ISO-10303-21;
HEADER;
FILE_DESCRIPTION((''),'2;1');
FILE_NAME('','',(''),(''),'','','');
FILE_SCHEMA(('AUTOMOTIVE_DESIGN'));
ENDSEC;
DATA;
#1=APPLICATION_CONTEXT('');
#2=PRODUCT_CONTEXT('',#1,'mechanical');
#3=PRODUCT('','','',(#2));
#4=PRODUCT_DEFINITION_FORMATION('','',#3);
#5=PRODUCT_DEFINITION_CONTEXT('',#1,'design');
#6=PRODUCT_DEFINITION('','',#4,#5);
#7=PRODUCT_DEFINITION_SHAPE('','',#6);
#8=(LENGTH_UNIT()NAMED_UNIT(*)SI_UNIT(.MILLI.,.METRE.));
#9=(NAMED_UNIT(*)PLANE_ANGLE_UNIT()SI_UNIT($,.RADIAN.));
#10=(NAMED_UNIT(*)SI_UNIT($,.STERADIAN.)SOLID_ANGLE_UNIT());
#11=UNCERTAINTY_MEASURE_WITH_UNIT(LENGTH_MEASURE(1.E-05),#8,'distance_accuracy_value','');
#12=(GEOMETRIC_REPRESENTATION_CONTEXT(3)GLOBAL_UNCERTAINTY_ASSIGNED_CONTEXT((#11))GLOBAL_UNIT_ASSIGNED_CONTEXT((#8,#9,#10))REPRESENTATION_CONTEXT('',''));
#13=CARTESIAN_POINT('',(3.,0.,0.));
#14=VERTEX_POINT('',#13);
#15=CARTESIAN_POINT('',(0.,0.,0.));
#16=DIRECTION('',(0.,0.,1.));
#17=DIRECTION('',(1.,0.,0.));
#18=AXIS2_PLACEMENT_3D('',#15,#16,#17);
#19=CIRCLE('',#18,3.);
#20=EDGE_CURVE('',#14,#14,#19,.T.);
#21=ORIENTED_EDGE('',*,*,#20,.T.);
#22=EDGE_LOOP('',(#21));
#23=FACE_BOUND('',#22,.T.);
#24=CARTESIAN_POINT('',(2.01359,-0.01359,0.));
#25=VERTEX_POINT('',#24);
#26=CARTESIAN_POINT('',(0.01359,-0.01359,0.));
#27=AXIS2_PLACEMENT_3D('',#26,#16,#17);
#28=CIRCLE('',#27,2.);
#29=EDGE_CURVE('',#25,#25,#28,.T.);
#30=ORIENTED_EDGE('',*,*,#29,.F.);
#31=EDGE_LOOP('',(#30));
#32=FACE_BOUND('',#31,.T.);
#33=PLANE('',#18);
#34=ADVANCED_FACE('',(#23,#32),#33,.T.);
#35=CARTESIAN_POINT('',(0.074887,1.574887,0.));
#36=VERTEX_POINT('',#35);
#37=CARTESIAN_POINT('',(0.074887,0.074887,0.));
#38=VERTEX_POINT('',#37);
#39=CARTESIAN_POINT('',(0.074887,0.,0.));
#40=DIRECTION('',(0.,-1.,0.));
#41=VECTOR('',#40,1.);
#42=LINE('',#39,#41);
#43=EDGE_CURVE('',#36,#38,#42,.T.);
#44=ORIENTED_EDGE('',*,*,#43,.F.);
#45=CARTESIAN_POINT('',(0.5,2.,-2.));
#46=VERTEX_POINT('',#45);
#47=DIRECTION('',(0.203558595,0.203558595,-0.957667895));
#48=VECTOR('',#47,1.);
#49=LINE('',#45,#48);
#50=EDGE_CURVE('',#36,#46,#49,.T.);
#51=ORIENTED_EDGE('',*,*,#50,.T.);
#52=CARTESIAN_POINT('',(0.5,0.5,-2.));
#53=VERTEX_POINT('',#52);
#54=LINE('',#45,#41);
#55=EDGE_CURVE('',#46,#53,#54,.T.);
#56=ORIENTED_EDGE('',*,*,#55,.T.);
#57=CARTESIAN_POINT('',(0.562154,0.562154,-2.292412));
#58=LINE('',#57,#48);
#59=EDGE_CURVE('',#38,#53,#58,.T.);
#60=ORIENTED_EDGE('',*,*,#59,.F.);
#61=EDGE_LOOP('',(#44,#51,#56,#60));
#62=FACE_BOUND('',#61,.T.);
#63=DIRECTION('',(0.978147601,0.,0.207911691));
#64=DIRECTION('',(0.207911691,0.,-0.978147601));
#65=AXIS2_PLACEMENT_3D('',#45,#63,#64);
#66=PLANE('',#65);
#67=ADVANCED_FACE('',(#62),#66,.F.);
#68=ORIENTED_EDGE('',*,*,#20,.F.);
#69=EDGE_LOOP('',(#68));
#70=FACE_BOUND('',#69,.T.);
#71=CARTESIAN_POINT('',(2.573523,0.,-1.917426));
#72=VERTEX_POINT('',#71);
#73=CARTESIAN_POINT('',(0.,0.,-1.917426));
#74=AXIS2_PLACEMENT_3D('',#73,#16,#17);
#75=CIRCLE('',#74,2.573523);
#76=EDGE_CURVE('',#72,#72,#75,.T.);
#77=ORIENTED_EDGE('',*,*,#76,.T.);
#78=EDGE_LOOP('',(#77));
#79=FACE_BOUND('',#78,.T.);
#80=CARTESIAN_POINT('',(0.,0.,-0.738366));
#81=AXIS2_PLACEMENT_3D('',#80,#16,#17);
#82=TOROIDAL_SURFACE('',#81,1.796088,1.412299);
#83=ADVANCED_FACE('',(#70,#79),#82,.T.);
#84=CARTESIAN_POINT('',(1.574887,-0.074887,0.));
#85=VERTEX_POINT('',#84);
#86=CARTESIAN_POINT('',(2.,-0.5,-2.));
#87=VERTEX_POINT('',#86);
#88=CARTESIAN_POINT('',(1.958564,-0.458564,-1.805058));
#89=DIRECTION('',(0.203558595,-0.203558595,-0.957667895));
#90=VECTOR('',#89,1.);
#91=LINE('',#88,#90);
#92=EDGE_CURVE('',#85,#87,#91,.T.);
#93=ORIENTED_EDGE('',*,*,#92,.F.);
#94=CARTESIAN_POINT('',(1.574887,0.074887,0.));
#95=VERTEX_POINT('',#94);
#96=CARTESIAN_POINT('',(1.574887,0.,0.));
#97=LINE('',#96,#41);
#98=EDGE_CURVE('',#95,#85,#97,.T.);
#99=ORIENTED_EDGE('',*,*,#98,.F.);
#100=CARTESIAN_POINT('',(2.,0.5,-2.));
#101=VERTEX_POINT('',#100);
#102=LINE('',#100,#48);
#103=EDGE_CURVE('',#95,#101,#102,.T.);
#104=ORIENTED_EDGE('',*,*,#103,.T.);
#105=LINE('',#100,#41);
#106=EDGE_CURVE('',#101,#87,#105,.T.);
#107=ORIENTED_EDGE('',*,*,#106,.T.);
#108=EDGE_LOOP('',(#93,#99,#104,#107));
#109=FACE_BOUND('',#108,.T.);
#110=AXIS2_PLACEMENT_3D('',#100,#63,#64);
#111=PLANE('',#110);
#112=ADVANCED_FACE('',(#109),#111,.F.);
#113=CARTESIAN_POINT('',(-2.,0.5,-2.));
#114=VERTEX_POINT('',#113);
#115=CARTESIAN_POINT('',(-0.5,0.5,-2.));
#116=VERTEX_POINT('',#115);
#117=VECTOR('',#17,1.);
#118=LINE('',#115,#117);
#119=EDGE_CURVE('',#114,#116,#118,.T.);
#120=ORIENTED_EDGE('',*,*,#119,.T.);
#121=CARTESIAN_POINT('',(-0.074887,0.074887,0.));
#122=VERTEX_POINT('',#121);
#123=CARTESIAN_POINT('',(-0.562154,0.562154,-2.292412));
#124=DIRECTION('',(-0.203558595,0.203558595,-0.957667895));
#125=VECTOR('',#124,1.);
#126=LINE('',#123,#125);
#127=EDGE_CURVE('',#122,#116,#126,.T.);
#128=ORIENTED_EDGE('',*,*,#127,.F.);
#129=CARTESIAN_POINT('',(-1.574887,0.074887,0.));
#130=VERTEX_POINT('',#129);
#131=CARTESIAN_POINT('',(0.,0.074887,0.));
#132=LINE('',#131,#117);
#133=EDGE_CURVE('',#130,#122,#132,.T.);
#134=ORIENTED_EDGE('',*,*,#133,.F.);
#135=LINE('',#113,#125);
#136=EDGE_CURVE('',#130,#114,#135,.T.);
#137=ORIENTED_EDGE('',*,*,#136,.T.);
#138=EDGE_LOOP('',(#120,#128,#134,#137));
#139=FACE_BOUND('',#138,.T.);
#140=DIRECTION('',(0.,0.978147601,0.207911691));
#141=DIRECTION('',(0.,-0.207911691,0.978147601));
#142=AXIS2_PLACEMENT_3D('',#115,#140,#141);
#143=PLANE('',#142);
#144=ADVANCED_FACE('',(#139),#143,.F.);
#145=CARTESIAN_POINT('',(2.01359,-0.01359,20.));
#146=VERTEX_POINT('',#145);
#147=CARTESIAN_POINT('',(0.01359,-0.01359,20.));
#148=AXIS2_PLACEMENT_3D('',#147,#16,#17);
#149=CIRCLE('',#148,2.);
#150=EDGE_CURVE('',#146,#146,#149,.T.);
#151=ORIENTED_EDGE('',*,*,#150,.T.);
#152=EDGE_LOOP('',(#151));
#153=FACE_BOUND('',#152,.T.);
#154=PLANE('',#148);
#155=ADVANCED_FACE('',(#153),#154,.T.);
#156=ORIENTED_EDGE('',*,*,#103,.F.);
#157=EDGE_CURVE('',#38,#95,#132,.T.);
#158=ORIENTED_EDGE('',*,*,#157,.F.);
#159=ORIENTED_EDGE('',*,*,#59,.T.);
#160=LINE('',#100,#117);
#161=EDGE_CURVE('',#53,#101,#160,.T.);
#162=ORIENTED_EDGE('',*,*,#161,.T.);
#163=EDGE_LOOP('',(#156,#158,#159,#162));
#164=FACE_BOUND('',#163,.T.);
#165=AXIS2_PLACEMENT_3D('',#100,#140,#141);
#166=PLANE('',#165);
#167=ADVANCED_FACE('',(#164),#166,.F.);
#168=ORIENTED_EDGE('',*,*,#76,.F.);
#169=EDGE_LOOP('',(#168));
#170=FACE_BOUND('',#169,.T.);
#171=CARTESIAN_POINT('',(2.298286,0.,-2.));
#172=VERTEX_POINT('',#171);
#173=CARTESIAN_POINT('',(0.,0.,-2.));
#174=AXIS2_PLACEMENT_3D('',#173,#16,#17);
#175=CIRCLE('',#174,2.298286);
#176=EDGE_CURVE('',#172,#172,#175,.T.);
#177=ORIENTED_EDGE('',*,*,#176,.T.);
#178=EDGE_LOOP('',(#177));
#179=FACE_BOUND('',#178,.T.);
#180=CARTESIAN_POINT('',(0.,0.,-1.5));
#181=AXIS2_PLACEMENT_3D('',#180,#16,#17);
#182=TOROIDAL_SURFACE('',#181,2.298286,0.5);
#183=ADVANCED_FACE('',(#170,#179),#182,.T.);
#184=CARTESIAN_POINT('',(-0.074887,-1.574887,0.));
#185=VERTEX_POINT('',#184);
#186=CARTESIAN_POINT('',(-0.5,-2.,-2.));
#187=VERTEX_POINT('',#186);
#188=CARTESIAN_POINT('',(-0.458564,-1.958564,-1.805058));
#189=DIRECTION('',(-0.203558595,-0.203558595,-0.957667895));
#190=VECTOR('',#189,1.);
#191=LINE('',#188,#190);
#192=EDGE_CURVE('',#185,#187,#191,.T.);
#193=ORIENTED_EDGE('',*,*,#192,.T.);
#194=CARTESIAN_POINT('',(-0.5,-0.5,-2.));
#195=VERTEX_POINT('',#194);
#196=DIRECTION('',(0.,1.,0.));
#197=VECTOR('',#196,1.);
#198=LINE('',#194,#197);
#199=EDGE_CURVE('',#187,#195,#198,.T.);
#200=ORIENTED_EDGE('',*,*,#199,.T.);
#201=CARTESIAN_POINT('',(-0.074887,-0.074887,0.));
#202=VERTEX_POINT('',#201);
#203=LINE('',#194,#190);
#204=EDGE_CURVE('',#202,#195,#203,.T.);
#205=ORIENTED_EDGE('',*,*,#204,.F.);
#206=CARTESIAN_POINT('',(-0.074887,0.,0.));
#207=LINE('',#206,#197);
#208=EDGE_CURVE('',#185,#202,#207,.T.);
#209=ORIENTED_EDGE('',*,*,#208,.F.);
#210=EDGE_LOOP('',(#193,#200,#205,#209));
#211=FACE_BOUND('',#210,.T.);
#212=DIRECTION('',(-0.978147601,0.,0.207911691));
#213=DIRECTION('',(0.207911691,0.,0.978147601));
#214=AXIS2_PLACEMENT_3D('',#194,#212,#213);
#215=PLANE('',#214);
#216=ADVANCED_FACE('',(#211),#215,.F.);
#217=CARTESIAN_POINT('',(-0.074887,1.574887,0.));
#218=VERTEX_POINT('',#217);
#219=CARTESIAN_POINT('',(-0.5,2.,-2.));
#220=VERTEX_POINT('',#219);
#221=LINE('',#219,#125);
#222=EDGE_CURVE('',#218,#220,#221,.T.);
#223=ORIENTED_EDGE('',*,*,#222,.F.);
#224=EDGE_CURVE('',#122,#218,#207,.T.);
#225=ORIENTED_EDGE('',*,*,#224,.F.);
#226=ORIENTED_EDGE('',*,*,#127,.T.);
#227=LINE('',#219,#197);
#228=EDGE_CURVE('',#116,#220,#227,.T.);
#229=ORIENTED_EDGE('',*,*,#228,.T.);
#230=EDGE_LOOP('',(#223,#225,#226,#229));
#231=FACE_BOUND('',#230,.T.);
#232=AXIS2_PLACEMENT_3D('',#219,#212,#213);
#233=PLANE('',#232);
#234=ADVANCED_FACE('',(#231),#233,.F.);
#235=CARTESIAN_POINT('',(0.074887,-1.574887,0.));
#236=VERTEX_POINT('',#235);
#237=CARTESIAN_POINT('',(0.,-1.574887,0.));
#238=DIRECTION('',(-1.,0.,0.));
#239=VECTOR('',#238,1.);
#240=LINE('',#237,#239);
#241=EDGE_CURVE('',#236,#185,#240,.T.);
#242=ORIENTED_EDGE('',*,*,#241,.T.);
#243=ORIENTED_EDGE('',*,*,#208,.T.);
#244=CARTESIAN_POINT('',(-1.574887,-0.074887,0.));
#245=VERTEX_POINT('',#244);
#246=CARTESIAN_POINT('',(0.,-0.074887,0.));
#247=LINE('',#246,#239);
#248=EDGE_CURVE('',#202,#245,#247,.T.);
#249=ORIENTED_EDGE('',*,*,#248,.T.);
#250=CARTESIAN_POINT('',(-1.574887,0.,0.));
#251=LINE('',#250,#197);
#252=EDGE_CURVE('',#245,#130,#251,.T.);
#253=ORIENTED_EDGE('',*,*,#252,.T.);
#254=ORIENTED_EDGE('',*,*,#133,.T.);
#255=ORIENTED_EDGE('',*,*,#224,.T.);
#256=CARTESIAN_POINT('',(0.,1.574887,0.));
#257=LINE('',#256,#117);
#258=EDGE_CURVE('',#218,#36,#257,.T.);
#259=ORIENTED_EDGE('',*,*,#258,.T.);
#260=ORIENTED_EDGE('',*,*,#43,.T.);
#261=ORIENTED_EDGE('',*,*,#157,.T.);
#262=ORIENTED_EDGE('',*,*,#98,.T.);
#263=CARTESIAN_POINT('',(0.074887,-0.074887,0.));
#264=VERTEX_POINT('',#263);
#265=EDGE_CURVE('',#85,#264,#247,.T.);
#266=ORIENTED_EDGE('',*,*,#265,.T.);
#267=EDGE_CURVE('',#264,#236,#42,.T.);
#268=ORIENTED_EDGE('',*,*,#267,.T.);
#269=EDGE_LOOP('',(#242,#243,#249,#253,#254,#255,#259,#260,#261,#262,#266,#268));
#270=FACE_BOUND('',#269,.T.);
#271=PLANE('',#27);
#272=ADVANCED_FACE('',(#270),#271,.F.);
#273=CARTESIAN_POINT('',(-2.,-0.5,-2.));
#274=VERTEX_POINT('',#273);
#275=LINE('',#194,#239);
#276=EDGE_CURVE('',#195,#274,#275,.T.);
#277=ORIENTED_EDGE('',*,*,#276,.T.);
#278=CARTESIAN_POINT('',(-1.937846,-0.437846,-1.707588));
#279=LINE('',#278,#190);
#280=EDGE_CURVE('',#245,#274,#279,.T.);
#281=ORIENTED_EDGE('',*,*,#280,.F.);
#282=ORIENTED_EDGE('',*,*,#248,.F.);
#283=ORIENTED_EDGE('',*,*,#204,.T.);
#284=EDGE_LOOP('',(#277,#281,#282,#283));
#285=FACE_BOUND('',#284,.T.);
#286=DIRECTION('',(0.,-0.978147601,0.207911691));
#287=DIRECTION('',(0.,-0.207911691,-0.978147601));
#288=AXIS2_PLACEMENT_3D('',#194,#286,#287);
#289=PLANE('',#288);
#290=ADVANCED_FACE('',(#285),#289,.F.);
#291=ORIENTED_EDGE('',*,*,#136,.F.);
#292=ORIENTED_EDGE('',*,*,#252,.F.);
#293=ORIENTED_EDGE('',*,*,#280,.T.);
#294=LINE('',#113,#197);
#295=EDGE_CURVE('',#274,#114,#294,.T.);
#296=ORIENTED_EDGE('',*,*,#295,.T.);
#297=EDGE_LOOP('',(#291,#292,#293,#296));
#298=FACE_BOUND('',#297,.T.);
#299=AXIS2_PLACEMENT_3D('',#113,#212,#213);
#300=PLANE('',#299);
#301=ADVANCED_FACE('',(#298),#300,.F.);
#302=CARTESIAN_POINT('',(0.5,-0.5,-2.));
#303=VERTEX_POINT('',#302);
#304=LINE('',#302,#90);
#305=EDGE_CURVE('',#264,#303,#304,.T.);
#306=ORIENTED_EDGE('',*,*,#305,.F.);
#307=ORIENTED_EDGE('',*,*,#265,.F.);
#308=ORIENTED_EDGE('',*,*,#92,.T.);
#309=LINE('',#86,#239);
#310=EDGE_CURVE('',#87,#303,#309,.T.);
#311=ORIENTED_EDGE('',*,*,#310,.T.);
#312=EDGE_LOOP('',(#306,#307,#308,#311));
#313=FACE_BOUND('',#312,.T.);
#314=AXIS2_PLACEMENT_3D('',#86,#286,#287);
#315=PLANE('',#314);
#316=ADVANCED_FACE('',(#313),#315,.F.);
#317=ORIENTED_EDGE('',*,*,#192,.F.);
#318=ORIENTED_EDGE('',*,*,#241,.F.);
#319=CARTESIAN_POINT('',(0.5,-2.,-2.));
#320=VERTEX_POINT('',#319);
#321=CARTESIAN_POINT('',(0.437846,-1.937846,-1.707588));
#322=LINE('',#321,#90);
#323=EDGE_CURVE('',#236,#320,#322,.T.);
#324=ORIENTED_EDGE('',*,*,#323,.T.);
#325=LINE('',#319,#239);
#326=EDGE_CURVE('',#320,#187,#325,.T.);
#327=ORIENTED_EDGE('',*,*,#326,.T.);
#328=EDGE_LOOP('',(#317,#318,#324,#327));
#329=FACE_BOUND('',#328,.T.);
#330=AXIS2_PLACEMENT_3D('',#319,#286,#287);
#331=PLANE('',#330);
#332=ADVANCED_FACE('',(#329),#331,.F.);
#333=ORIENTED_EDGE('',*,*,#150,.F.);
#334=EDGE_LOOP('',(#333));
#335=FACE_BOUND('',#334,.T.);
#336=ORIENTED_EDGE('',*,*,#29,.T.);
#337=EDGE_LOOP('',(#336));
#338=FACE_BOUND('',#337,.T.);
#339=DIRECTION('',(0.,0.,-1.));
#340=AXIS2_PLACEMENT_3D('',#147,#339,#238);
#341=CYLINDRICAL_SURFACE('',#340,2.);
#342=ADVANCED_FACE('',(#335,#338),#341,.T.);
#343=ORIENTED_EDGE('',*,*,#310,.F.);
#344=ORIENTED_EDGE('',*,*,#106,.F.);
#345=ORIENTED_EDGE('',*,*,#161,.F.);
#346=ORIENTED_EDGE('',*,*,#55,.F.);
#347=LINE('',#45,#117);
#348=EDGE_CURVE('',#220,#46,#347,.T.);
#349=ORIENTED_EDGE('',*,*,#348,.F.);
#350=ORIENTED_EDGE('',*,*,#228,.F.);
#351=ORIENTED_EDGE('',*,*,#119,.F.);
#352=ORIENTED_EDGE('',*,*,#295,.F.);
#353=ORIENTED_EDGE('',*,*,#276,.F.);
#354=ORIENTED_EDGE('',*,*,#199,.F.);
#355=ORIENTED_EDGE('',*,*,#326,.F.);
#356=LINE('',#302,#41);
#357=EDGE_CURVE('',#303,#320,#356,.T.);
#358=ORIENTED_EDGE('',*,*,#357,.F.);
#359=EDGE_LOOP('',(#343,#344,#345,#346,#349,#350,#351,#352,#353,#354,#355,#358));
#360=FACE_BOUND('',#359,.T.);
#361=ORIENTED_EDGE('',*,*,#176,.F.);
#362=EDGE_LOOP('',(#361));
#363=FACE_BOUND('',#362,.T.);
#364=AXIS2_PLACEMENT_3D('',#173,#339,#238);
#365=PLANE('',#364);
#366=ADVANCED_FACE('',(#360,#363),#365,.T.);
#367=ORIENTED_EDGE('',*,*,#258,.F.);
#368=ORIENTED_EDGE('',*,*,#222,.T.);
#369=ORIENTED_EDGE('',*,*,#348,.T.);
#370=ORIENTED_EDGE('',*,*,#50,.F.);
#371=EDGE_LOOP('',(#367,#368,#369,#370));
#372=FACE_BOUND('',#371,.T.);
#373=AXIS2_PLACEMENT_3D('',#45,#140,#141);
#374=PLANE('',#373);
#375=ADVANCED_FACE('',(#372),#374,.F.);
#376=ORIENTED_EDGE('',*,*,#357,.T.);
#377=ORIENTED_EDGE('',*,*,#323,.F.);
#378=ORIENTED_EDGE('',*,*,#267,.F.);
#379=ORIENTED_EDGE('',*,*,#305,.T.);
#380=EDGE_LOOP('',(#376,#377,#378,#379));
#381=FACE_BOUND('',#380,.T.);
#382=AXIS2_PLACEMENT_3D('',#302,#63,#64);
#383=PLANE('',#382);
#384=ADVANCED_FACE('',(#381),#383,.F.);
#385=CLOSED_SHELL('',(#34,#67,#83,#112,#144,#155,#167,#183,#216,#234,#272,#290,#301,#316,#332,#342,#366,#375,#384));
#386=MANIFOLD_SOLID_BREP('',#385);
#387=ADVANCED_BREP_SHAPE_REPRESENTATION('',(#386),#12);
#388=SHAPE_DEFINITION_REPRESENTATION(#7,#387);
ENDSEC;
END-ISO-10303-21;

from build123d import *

# Parameters (mm, degrees)
CUT_EXTRUDE1_DEPTH  = 2
CUT_EXTRUDE1_DRAFT  = -12
SKETCH3_R           = 2
BOSS_EXTRUDE1_DEPTH = 20


with BuildPart() as part:
    # Sketch1 → Revolve2 (revolve)
    with BuildSketch(Plane(origin=(0, 0, 0), x_dir=(1, 0, 0), z_dir=(0, 1, 0))):
        with BuildLine():
            Line((0, 0), (0, 2))
            Line((0, 2), (2.298285661, 2))
            ThreePointArc((2.298285661, 2), (2.441964308, 1.978911731), (2.57352322, 1.917425786))
            ThreePointArc((2.57352322, 1.917425786), (3.174697589, 1.044998208), (3, 0))
            Line((3, 0), (0, 0))
        make_face()
    revolve(axis=Axis((0, 0, -0.65925001), (0, 0, -1)))


with BuildPart() as cut_extrude1_tool:
    # Sketch2 → Cut-Extrude1 (with draft: the straight prism first)
    with BuildSketch(Plane(origin=(0, 0, -2), x_dir=(-1, 0, 0), z_dir=(0, 0, -1))):
        Polygon((0.5, -0.5), (2, -0.5), (2, 0.5), (0.5, 0.5), (0.5, 2), (-0.5, 2), (-0.5, 0.5), (-2, 0.5), (-2, -0.5), (-0.5, -0.5), (-0.5, -2), (0.5, -2), align=None)
    extrude(amount=-CUT_EXTRUDE1_DEPTH)
    # Cut-Extrude1: the draft: its side faces are tilted about the plane it starts from
    cut_extrude1_sides = [cut_extrude1_tool.faces().sort_by_distance(p)[0] for p in [
        (-1.25, -0.5, -1),
        (-2, 0, -1),
        (-1.25, 0.5, -1),
        (-0.5, 1.25, -1),
        (0, 2, -1),
        (0.5, 1.25, -1),
        (1.25, 0.5, -1),
        (2, 0, -1),
        (1.25, -0.5, -1),
        (0.5, -1.25, -1),
        (0, -2, -1),
        (-0.5, -1.25, -1),
    ]]
    draft(cut_extrude1_sides, Plane(origin=(0, 0, -2), x_dir=(-1, 0, 0), z_dir=(0, 0, -1)), CUT_EXTRUDE1_DRAFT)


with BuildPart() as part_1:
    add(part.part)

    # Cut-Extrude1: cut by cut_extrude1_tool
    add(cut_extrude1_tool.part, mode=Mode.SUBTRACT)

    # Sketch3 → Boss-Extrude1 (add)
    with BuildSketch(Plane.XY):
        with Locations((0.013589602, -0.013589602)):
            Circle(SKETCH3_R)
    extrude(amount=BOSS_EXTRUDE1_DEPTH)


solid = part_1.part
